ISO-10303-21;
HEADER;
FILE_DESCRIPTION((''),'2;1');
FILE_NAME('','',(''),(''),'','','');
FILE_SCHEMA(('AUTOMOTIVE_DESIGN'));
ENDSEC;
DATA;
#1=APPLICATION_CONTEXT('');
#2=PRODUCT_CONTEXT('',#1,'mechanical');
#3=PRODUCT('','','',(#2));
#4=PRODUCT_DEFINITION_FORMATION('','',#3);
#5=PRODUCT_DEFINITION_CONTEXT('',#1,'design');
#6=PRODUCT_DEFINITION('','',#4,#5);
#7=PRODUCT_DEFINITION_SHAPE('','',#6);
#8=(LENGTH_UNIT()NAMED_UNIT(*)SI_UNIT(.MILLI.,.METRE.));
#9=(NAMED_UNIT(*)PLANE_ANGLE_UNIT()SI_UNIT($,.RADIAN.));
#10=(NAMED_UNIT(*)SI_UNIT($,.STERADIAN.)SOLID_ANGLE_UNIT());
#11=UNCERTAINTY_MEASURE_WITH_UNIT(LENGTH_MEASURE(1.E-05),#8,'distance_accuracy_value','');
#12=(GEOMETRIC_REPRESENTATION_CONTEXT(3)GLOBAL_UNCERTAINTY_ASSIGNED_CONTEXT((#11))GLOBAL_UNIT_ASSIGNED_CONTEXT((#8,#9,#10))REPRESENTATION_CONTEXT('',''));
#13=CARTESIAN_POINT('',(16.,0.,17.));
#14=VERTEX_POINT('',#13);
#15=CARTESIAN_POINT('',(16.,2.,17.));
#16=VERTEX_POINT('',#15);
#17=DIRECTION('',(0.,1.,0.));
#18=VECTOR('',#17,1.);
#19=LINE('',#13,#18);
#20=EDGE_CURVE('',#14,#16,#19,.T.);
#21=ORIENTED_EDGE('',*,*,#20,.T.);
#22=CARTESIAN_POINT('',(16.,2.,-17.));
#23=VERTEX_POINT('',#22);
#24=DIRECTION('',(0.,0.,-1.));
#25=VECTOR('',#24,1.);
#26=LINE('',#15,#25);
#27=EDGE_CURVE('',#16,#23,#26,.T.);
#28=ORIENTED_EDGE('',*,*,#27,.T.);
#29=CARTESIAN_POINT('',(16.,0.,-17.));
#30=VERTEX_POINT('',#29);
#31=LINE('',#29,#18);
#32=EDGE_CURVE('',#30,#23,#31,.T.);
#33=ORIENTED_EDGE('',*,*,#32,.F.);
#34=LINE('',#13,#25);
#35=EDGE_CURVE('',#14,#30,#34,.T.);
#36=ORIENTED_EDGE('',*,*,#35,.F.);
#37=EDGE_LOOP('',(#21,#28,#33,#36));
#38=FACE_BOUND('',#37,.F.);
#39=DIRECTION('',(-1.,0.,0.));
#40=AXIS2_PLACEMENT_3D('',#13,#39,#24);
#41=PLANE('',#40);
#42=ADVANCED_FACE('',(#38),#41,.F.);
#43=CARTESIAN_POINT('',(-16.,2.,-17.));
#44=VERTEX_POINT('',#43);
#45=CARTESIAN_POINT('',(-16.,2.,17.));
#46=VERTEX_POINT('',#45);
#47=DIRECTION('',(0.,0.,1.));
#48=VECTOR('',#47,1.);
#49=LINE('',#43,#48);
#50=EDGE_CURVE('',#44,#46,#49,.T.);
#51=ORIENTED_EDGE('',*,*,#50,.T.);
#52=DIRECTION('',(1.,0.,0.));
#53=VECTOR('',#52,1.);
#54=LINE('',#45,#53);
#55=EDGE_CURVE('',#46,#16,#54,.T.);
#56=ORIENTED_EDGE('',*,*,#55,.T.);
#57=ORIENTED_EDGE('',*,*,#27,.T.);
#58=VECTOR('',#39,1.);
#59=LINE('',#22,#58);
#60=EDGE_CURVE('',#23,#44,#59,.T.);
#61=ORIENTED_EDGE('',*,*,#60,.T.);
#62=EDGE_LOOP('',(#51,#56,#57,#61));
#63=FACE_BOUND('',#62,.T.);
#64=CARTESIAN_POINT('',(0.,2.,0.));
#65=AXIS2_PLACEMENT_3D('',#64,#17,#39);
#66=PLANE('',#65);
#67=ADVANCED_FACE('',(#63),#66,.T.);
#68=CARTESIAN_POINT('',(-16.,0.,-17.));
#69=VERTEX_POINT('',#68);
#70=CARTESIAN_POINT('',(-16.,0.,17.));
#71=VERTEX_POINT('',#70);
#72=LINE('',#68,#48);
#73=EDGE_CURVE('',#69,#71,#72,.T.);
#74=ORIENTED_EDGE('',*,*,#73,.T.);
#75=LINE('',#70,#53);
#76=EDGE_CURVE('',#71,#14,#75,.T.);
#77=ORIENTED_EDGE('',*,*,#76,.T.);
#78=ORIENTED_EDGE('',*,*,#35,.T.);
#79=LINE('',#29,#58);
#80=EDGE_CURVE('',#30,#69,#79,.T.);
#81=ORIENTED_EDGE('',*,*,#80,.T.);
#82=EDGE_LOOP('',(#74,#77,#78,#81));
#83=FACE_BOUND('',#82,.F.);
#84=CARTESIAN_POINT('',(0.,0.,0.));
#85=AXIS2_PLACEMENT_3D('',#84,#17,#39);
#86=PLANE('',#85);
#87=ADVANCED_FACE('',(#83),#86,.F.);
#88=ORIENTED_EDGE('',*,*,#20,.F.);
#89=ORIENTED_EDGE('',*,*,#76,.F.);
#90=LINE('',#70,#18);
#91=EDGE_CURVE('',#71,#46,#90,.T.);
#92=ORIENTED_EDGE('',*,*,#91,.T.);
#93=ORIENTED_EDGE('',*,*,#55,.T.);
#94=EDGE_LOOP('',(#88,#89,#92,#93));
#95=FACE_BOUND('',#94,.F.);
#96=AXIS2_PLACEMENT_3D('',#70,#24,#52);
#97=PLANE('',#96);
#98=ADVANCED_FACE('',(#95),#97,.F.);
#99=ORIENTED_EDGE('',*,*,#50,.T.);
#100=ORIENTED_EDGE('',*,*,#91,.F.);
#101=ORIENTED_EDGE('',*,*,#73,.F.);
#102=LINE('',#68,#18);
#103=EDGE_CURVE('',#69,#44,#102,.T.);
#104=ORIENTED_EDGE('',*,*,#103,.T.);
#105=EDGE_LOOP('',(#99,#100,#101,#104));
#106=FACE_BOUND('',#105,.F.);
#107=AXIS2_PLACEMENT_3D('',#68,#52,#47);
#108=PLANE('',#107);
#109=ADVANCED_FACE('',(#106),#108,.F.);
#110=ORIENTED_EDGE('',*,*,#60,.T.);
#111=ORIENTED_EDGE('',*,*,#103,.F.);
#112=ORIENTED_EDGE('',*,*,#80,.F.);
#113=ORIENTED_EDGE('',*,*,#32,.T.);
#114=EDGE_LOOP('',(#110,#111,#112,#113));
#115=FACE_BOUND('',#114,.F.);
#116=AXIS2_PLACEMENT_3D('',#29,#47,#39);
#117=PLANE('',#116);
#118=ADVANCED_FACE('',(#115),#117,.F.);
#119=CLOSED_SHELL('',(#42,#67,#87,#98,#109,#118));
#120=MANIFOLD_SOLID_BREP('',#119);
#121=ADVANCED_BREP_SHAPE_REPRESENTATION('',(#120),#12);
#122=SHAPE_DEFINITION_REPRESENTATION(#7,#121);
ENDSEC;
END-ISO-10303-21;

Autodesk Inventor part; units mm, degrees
ref_plane "YZ Plane" through (0, 0, 0) normal (1, 0, 0) x (0, 1, 0)
ref_plane "XZ Plane" through (0, 0, 0) normal (0, 1, 0) x (-1, 0, 0)
ref_plane "XY Plane" through (0, 0, 0) normal (0, 0, 1) x (1, 0, 0)
sketch "スケッチ1" plane through (0, 0, 0) normal (0, 1, 0) x (-1, 0, 0)
  line L0 (16, 17) -> (-16, 17)
  line L1 (-16, 17) -> (-16, -17)
  line L2 (-16, -17) -> (16, -17)
  line L3 (16, -17) -> (16, 17)
  point P0 (0, 0)
  dimension "d0" = 34
  dimension "d1" = 32
  dimension "d2" = 17
  dimension "d3" = 16
extrude "押し出し1" add sketch "スケッチ1" along normal blind 2
properties part number "GNSS1"
